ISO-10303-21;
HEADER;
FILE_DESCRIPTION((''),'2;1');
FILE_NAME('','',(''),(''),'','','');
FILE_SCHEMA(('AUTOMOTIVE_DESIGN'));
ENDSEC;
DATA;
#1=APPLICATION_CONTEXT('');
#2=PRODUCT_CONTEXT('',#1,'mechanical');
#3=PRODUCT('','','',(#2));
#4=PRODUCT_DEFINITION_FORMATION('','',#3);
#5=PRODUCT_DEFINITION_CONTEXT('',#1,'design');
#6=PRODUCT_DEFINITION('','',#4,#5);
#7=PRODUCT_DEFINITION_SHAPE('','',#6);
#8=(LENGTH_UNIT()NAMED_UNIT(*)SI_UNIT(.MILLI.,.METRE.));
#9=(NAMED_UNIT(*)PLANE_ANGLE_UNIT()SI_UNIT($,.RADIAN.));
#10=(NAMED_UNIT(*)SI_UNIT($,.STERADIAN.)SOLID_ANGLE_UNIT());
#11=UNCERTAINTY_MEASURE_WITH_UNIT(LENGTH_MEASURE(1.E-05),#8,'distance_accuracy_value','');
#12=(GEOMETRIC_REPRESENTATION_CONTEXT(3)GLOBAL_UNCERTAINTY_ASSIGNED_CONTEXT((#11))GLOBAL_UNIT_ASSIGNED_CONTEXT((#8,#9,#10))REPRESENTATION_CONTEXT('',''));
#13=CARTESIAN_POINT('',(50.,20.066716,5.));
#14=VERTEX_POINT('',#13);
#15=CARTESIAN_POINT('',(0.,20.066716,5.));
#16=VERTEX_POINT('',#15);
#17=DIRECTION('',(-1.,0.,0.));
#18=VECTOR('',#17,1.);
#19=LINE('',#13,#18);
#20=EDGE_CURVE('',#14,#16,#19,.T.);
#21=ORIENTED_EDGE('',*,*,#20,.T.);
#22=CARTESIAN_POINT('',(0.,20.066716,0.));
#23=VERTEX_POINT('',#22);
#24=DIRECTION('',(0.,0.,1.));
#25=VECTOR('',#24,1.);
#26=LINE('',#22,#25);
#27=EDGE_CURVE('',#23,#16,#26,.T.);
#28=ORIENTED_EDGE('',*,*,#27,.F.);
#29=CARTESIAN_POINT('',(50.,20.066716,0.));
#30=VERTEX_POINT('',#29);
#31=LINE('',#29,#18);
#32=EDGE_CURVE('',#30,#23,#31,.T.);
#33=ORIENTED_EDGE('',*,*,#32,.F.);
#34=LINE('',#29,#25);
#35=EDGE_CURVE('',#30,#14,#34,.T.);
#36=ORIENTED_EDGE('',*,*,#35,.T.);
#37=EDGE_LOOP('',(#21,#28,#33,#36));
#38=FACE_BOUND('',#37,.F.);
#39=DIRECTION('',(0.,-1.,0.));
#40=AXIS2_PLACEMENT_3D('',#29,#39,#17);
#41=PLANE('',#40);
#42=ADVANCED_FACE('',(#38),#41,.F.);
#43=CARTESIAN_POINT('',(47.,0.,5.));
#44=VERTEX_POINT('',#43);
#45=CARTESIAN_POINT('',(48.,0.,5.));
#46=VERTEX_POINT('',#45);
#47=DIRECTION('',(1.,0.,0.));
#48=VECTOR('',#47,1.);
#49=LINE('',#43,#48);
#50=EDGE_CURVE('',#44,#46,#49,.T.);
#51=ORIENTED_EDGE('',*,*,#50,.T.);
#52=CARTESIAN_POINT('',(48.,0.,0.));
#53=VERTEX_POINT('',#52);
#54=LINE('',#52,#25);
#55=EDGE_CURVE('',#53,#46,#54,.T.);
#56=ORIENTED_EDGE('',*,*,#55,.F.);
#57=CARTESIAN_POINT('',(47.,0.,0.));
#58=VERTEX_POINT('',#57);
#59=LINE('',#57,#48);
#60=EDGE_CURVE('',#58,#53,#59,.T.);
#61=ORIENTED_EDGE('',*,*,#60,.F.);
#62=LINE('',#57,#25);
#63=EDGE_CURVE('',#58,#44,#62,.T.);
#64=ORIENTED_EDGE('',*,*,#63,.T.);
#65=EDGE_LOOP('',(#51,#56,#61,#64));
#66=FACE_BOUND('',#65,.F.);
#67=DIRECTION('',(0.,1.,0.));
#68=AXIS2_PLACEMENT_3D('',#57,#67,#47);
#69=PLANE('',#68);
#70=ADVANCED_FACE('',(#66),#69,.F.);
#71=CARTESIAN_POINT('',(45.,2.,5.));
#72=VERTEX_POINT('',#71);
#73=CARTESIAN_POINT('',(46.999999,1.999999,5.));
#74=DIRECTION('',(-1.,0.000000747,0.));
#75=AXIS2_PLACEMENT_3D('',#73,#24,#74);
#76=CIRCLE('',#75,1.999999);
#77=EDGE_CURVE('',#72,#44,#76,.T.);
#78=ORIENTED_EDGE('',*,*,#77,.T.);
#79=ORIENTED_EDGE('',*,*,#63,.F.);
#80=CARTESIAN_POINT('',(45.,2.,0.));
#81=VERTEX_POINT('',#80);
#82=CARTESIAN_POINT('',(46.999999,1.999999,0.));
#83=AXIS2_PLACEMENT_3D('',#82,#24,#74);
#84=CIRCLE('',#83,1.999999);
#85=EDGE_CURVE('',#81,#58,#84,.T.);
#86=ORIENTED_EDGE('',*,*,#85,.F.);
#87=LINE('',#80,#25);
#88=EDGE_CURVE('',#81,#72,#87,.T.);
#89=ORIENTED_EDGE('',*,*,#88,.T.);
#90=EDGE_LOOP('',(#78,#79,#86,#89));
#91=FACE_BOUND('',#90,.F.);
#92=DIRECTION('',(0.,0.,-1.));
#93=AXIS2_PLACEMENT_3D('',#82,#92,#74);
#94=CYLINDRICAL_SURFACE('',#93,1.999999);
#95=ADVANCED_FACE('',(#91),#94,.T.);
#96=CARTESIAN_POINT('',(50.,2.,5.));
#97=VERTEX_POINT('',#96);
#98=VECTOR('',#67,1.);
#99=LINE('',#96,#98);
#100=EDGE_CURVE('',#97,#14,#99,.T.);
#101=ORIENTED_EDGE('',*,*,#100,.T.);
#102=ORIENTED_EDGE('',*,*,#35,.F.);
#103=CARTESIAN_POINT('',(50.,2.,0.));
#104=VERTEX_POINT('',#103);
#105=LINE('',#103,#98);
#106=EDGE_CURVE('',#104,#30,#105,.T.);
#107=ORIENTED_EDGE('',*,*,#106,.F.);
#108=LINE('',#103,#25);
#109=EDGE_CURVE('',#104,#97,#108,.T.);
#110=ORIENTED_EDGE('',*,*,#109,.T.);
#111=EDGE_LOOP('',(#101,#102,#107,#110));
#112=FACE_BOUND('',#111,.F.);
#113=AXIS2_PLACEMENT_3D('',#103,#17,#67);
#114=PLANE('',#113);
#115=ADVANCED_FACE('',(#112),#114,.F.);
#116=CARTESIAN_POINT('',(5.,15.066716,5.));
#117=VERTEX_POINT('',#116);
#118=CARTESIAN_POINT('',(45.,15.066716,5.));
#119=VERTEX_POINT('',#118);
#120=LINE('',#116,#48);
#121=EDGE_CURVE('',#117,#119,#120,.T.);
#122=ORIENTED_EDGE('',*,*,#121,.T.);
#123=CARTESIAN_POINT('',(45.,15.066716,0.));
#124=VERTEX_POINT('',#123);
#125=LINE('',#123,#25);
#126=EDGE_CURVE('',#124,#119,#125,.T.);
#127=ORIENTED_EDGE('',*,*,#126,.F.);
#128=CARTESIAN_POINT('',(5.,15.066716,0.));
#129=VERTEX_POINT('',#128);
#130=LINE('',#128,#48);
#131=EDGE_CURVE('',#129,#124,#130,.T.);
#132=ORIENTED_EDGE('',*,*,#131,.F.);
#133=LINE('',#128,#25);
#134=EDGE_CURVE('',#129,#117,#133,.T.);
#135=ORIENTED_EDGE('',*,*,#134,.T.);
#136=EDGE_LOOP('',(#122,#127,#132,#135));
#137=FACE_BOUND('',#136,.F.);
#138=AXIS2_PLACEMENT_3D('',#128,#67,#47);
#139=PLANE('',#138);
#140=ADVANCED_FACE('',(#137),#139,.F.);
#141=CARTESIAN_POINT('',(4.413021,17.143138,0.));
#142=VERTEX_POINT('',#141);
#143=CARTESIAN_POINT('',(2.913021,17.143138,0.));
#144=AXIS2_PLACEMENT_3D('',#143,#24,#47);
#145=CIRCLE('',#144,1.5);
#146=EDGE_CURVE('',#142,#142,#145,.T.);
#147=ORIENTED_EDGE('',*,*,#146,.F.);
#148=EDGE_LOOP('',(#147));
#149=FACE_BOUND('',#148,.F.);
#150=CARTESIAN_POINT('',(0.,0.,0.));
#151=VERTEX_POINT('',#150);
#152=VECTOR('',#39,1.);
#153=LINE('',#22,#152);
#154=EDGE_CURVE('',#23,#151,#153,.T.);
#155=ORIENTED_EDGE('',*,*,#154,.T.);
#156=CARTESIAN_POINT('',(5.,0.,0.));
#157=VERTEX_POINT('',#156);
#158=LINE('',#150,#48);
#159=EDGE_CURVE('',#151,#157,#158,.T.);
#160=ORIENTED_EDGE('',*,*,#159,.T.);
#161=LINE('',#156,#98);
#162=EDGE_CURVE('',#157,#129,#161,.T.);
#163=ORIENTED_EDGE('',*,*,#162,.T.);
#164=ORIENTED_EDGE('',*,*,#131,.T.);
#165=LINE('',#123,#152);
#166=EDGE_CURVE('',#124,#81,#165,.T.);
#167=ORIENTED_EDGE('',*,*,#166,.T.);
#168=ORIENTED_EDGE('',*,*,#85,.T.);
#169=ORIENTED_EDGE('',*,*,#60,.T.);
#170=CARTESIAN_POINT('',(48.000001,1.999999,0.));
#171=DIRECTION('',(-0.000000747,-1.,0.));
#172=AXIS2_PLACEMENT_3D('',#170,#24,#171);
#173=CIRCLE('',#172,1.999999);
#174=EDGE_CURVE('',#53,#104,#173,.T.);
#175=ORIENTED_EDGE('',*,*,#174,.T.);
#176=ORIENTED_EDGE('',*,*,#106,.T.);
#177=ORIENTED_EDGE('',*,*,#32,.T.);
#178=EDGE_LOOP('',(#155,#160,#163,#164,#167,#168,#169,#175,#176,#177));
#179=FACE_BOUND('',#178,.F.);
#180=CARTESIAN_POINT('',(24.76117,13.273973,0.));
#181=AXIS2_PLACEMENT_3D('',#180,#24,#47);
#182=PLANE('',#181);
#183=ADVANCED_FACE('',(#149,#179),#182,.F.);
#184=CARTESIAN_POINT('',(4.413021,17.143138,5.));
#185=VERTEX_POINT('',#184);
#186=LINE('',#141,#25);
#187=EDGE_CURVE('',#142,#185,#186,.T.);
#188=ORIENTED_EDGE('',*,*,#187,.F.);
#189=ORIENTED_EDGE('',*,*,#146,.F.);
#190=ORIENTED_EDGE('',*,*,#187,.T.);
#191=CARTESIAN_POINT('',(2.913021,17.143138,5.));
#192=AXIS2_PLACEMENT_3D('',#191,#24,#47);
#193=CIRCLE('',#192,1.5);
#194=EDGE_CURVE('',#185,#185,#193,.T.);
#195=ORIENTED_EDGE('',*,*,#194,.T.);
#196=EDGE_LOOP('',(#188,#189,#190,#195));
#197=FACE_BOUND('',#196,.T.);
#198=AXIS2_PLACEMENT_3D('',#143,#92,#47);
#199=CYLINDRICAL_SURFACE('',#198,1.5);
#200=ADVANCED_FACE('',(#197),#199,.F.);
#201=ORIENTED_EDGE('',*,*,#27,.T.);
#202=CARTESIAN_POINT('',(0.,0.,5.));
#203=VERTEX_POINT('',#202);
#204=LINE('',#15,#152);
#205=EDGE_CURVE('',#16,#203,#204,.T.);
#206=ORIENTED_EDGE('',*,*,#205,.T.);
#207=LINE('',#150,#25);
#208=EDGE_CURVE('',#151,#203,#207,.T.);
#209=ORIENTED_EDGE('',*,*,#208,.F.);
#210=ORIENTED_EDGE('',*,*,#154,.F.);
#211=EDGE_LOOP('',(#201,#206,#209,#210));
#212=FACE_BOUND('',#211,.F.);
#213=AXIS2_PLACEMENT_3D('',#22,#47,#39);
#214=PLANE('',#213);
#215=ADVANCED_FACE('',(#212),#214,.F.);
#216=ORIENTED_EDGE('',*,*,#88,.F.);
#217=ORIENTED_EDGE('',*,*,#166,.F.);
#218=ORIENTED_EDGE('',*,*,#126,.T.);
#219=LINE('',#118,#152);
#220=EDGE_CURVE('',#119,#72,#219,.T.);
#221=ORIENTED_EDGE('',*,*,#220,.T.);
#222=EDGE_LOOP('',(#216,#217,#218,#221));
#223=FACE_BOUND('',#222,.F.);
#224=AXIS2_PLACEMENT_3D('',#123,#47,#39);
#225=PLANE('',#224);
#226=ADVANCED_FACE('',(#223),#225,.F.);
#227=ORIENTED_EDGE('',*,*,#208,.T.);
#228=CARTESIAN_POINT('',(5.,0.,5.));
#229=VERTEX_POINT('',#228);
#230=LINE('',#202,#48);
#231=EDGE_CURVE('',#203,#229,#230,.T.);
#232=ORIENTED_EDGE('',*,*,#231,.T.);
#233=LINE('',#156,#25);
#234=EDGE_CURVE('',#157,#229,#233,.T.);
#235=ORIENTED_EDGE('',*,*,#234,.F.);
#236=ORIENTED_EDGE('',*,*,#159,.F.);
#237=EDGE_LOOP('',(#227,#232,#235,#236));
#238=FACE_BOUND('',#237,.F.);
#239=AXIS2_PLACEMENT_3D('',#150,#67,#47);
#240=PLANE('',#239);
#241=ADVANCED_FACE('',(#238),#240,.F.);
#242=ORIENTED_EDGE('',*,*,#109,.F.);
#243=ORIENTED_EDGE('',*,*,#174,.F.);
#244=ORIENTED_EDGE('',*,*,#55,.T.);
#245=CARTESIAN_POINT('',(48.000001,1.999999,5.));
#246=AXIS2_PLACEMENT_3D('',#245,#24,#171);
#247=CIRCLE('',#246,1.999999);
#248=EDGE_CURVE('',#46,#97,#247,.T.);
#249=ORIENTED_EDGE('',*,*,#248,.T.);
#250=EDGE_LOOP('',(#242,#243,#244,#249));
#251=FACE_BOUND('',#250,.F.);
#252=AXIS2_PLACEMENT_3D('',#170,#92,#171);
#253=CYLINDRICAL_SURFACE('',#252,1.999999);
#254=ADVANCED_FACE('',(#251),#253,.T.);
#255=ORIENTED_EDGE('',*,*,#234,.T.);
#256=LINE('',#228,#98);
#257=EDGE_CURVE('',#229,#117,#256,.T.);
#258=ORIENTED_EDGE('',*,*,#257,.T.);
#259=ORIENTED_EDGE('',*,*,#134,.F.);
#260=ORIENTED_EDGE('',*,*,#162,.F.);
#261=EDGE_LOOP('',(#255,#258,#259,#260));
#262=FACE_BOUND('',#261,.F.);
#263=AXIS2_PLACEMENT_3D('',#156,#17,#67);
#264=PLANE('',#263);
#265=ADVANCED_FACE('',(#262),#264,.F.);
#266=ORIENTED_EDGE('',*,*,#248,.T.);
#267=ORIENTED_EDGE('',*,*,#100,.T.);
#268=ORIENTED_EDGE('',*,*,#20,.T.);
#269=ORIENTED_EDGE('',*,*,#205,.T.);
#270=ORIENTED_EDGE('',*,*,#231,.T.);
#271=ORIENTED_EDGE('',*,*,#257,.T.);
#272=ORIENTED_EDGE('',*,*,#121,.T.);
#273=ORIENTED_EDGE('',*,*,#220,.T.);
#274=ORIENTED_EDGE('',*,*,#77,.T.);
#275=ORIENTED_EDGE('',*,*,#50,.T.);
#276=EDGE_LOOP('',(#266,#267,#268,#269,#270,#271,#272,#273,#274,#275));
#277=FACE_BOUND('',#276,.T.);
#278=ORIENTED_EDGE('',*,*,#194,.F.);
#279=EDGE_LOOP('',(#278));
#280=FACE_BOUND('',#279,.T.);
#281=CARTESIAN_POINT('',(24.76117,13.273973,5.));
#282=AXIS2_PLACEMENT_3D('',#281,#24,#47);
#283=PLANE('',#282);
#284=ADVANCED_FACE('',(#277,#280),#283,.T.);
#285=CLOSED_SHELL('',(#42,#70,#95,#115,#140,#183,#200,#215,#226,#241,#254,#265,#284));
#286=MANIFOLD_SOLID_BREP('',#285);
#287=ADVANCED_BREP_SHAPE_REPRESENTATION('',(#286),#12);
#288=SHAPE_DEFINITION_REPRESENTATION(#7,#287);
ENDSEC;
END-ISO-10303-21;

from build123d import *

# Parameters (mm, degrees)
F0_R     = 1.5
F1_DEPTH = 5


with BuildPart() as f1:
    # F0 (on Top) → F1 (new body)
    with BuildSketch(Plane.XY):
        with BuildLine():
            Line((0, 20.066716), (0, 0))
            Line((0, 0), (5, 0))
            Line((5, 0), (5, 15.066716))
            Line((5, 15.066716), (45, 15.066716))
            Line((45, 15.066716), (45, 2))
            ThreePointArc((45, 2), (45.585786, 0.585786), (47, 0))
            Line((47, 0), (48, 0))
            ThreePointArc((48, 0), (49.414214, 0.585786), (50, 2))
            Line((50, 2), (50, 20.066716))
            Line((50, 20.066716), (0, 20.066716))
        make_face()
        with Locations((2.913021, 17.143138)):
            Circle(F0_R, mode=Mode.SUBTRACT)
    extrude(amount=F1_DEPTH)


solid = f1.part
